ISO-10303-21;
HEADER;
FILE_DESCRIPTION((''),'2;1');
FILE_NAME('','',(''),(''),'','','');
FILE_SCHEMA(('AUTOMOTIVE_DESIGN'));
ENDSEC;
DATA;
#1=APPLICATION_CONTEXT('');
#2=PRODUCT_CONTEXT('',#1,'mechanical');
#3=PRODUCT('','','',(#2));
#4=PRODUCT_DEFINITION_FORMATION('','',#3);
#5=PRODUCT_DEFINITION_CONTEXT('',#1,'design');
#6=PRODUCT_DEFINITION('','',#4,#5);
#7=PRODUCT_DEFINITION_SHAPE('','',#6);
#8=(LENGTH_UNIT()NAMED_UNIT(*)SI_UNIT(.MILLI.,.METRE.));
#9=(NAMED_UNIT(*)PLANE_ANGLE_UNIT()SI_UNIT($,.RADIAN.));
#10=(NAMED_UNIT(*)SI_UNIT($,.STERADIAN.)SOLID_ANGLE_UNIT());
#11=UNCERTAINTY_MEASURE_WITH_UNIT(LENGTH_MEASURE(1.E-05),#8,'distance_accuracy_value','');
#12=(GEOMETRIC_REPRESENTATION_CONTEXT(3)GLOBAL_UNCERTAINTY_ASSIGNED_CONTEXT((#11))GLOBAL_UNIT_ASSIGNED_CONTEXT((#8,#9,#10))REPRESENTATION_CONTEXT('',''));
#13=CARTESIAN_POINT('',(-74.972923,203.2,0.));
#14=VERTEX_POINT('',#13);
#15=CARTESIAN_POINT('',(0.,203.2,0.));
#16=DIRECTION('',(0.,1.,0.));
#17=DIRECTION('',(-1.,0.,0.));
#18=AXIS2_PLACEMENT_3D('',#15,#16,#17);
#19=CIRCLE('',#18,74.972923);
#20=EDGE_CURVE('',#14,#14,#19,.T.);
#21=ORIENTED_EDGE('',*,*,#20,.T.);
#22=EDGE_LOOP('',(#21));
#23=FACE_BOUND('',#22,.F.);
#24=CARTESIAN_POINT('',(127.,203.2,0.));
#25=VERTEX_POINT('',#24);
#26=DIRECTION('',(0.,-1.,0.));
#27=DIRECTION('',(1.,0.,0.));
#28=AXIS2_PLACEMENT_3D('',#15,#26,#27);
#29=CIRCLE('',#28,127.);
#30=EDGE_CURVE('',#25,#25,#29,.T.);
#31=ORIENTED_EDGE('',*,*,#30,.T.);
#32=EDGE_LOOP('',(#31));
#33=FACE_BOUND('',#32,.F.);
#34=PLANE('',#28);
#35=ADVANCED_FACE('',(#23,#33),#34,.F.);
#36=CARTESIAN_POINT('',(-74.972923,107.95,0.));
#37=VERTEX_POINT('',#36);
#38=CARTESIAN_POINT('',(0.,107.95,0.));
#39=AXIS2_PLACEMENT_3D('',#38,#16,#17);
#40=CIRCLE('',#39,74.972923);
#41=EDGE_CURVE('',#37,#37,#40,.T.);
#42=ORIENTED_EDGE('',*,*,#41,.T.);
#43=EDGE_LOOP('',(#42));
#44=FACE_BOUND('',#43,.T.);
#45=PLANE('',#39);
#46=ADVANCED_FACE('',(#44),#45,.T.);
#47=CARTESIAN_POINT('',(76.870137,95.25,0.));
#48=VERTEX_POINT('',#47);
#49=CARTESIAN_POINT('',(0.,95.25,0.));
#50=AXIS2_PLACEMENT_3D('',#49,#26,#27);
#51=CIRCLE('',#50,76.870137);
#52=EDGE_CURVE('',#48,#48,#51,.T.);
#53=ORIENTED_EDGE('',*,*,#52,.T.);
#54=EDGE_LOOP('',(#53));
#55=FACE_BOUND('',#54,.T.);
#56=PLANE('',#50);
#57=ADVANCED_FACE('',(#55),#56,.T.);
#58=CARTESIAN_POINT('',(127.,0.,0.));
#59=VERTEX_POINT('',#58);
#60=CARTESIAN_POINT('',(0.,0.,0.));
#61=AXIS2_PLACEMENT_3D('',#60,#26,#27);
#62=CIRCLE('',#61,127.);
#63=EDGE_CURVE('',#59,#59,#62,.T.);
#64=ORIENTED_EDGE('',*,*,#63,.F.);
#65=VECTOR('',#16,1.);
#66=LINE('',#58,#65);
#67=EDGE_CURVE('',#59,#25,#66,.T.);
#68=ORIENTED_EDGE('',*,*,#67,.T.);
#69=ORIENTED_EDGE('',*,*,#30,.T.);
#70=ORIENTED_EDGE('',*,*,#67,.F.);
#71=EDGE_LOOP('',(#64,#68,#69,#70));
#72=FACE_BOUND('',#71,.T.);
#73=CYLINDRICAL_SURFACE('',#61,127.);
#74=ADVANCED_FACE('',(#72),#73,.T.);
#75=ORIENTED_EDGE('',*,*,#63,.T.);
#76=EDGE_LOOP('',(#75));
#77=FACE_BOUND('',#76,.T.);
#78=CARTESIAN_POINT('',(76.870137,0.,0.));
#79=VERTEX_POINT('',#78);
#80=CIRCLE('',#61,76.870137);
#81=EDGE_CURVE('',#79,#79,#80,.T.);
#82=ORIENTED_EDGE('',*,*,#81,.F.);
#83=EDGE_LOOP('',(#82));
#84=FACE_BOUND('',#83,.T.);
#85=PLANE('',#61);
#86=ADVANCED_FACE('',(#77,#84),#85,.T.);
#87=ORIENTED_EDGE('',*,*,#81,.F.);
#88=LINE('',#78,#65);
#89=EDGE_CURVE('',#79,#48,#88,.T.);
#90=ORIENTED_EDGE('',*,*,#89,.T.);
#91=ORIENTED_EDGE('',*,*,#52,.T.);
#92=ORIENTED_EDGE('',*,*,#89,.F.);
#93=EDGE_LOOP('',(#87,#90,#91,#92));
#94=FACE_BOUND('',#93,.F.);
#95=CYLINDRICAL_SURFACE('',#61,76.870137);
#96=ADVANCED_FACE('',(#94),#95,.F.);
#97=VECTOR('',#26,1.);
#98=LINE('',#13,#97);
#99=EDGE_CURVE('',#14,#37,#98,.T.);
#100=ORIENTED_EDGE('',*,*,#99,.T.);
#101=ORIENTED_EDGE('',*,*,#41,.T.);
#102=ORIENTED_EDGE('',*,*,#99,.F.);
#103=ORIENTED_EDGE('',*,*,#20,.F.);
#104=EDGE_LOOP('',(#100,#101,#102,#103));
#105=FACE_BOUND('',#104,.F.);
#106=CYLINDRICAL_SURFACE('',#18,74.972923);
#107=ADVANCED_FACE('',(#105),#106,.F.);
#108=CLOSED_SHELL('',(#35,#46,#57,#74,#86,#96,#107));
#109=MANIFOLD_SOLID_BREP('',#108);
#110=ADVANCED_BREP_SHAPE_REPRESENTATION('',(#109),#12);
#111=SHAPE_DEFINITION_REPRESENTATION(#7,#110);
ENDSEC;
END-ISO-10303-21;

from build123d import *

# Parameters (mm, degrees)
F0_R     = 127
F1_DEPTH = 203.2
F2_R     = 76.870137
F3_DEPTH = 95.25
F4_R     = 74.972923
F5_DEPTH = 95.25


with BuildPart() as f1:
    # F0 (on Front) → F1 (new body)
    with BuildSketch(Plane.XZ):
        Circle(F0_R)
    extrude(amount=-F1_DEPTH)

    # F2 (on face) → F3 (cut)
    with BuildSketch(Plane.XZ):
        Circle(F2_R)
    extrude(amount=-F3_DEPTH, mode=Mode.SUBTRACT)

    # F4 (on face) → F5 (cut)
    with BuildSketch(Plane(origin=(0, 203.2, 0), x_dir=(-1, 0, 0), z_dir=(0, 1, 0))):
        Circle(F4_R)
    extrude(amount=-F5_DEPTH, mode=Mode.SUBTRACT)


solid = f1.part
